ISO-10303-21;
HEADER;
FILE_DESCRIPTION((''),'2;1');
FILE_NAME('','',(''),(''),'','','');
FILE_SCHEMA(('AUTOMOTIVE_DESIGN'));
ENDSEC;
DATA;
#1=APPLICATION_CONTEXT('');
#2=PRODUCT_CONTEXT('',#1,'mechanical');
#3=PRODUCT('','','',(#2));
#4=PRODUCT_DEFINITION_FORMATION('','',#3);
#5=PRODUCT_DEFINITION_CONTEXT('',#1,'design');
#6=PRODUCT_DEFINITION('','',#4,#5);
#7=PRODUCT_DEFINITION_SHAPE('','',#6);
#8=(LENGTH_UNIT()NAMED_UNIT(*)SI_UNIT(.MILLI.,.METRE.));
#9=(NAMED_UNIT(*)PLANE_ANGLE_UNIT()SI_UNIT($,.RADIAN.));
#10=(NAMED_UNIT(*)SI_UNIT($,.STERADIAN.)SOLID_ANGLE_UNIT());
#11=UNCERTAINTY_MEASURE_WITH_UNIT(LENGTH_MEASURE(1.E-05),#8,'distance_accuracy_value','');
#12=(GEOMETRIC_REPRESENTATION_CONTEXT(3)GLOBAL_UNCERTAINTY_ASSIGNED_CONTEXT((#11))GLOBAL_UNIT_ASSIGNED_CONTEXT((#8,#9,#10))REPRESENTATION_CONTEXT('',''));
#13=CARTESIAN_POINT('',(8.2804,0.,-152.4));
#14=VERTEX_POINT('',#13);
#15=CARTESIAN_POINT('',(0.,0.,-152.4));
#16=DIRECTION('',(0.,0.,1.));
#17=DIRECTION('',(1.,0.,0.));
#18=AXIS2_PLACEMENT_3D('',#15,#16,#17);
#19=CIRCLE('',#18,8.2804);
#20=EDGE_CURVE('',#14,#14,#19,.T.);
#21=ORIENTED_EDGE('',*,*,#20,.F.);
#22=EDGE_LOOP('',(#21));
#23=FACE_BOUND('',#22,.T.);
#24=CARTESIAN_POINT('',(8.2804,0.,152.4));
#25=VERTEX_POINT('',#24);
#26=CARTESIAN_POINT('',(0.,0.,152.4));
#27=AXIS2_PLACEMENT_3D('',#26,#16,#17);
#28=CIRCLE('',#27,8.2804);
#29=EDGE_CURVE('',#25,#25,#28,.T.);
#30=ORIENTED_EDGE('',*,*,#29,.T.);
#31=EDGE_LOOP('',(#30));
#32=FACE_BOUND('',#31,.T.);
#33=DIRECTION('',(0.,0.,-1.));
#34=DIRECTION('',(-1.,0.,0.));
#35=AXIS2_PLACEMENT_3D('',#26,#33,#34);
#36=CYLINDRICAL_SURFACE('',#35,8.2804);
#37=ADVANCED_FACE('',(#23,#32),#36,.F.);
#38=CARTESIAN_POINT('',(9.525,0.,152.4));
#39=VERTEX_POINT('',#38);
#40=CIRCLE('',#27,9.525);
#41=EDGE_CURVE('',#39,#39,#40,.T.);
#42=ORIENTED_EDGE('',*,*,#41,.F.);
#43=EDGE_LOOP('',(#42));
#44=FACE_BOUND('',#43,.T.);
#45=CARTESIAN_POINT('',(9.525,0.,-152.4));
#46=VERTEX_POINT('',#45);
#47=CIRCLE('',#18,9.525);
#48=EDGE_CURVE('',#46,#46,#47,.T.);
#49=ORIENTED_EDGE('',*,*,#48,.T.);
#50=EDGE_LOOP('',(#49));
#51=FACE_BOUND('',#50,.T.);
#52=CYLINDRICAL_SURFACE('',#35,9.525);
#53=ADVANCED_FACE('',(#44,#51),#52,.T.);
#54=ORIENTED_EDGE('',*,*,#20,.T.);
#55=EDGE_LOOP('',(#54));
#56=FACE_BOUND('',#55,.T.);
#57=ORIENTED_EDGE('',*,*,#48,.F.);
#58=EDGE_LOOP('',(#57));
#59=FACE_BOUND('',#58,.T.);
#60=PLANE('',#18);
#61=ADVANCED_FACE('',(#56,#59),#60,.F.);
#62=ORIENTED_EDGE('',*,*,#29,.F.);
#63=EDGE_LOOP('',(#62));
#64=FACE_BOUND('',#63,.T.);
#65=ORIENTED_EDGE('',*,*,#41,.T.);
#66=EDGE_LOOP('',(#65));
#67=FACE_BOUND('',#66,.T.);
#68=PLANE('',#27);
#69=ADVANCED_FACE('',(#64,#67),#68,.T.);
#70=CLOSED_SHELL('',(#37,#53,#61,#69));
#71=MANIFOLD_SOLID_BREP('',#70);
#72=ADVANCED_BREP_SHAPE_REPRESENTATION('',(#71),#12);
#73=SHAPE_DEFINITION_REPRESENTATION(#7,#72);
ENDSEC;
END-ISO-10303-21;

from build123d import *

# Parameters (mm, degrees)
BOSS_EXTRUDE1_DEPTH      = 152.4
BOSS_EXTRUDE1_DEPTH_BACK = 152.4
SKETCH3_R                = 9.525
SKETCH3_R_2              = 8.2804


with BuildPart() as part:
    # Sketch3 → Boss-Extrude1 (new, two sides: drawn at the far end of the back side and taken through both)
    with BuildSketch(Plane.XY.offset(-BOSS_EXTRUDE1_DEPTH_BACK)):
        Circle(SKETCH3_R)
        Circle(SKETCH3_R_2, mode=Mode.SUBTRACT)
    extrude(amount=BOSS_EXTRUDE1_DEPTH + BOSS_EXTRUDE1_DEPTH_BACK)


solid = part.part
